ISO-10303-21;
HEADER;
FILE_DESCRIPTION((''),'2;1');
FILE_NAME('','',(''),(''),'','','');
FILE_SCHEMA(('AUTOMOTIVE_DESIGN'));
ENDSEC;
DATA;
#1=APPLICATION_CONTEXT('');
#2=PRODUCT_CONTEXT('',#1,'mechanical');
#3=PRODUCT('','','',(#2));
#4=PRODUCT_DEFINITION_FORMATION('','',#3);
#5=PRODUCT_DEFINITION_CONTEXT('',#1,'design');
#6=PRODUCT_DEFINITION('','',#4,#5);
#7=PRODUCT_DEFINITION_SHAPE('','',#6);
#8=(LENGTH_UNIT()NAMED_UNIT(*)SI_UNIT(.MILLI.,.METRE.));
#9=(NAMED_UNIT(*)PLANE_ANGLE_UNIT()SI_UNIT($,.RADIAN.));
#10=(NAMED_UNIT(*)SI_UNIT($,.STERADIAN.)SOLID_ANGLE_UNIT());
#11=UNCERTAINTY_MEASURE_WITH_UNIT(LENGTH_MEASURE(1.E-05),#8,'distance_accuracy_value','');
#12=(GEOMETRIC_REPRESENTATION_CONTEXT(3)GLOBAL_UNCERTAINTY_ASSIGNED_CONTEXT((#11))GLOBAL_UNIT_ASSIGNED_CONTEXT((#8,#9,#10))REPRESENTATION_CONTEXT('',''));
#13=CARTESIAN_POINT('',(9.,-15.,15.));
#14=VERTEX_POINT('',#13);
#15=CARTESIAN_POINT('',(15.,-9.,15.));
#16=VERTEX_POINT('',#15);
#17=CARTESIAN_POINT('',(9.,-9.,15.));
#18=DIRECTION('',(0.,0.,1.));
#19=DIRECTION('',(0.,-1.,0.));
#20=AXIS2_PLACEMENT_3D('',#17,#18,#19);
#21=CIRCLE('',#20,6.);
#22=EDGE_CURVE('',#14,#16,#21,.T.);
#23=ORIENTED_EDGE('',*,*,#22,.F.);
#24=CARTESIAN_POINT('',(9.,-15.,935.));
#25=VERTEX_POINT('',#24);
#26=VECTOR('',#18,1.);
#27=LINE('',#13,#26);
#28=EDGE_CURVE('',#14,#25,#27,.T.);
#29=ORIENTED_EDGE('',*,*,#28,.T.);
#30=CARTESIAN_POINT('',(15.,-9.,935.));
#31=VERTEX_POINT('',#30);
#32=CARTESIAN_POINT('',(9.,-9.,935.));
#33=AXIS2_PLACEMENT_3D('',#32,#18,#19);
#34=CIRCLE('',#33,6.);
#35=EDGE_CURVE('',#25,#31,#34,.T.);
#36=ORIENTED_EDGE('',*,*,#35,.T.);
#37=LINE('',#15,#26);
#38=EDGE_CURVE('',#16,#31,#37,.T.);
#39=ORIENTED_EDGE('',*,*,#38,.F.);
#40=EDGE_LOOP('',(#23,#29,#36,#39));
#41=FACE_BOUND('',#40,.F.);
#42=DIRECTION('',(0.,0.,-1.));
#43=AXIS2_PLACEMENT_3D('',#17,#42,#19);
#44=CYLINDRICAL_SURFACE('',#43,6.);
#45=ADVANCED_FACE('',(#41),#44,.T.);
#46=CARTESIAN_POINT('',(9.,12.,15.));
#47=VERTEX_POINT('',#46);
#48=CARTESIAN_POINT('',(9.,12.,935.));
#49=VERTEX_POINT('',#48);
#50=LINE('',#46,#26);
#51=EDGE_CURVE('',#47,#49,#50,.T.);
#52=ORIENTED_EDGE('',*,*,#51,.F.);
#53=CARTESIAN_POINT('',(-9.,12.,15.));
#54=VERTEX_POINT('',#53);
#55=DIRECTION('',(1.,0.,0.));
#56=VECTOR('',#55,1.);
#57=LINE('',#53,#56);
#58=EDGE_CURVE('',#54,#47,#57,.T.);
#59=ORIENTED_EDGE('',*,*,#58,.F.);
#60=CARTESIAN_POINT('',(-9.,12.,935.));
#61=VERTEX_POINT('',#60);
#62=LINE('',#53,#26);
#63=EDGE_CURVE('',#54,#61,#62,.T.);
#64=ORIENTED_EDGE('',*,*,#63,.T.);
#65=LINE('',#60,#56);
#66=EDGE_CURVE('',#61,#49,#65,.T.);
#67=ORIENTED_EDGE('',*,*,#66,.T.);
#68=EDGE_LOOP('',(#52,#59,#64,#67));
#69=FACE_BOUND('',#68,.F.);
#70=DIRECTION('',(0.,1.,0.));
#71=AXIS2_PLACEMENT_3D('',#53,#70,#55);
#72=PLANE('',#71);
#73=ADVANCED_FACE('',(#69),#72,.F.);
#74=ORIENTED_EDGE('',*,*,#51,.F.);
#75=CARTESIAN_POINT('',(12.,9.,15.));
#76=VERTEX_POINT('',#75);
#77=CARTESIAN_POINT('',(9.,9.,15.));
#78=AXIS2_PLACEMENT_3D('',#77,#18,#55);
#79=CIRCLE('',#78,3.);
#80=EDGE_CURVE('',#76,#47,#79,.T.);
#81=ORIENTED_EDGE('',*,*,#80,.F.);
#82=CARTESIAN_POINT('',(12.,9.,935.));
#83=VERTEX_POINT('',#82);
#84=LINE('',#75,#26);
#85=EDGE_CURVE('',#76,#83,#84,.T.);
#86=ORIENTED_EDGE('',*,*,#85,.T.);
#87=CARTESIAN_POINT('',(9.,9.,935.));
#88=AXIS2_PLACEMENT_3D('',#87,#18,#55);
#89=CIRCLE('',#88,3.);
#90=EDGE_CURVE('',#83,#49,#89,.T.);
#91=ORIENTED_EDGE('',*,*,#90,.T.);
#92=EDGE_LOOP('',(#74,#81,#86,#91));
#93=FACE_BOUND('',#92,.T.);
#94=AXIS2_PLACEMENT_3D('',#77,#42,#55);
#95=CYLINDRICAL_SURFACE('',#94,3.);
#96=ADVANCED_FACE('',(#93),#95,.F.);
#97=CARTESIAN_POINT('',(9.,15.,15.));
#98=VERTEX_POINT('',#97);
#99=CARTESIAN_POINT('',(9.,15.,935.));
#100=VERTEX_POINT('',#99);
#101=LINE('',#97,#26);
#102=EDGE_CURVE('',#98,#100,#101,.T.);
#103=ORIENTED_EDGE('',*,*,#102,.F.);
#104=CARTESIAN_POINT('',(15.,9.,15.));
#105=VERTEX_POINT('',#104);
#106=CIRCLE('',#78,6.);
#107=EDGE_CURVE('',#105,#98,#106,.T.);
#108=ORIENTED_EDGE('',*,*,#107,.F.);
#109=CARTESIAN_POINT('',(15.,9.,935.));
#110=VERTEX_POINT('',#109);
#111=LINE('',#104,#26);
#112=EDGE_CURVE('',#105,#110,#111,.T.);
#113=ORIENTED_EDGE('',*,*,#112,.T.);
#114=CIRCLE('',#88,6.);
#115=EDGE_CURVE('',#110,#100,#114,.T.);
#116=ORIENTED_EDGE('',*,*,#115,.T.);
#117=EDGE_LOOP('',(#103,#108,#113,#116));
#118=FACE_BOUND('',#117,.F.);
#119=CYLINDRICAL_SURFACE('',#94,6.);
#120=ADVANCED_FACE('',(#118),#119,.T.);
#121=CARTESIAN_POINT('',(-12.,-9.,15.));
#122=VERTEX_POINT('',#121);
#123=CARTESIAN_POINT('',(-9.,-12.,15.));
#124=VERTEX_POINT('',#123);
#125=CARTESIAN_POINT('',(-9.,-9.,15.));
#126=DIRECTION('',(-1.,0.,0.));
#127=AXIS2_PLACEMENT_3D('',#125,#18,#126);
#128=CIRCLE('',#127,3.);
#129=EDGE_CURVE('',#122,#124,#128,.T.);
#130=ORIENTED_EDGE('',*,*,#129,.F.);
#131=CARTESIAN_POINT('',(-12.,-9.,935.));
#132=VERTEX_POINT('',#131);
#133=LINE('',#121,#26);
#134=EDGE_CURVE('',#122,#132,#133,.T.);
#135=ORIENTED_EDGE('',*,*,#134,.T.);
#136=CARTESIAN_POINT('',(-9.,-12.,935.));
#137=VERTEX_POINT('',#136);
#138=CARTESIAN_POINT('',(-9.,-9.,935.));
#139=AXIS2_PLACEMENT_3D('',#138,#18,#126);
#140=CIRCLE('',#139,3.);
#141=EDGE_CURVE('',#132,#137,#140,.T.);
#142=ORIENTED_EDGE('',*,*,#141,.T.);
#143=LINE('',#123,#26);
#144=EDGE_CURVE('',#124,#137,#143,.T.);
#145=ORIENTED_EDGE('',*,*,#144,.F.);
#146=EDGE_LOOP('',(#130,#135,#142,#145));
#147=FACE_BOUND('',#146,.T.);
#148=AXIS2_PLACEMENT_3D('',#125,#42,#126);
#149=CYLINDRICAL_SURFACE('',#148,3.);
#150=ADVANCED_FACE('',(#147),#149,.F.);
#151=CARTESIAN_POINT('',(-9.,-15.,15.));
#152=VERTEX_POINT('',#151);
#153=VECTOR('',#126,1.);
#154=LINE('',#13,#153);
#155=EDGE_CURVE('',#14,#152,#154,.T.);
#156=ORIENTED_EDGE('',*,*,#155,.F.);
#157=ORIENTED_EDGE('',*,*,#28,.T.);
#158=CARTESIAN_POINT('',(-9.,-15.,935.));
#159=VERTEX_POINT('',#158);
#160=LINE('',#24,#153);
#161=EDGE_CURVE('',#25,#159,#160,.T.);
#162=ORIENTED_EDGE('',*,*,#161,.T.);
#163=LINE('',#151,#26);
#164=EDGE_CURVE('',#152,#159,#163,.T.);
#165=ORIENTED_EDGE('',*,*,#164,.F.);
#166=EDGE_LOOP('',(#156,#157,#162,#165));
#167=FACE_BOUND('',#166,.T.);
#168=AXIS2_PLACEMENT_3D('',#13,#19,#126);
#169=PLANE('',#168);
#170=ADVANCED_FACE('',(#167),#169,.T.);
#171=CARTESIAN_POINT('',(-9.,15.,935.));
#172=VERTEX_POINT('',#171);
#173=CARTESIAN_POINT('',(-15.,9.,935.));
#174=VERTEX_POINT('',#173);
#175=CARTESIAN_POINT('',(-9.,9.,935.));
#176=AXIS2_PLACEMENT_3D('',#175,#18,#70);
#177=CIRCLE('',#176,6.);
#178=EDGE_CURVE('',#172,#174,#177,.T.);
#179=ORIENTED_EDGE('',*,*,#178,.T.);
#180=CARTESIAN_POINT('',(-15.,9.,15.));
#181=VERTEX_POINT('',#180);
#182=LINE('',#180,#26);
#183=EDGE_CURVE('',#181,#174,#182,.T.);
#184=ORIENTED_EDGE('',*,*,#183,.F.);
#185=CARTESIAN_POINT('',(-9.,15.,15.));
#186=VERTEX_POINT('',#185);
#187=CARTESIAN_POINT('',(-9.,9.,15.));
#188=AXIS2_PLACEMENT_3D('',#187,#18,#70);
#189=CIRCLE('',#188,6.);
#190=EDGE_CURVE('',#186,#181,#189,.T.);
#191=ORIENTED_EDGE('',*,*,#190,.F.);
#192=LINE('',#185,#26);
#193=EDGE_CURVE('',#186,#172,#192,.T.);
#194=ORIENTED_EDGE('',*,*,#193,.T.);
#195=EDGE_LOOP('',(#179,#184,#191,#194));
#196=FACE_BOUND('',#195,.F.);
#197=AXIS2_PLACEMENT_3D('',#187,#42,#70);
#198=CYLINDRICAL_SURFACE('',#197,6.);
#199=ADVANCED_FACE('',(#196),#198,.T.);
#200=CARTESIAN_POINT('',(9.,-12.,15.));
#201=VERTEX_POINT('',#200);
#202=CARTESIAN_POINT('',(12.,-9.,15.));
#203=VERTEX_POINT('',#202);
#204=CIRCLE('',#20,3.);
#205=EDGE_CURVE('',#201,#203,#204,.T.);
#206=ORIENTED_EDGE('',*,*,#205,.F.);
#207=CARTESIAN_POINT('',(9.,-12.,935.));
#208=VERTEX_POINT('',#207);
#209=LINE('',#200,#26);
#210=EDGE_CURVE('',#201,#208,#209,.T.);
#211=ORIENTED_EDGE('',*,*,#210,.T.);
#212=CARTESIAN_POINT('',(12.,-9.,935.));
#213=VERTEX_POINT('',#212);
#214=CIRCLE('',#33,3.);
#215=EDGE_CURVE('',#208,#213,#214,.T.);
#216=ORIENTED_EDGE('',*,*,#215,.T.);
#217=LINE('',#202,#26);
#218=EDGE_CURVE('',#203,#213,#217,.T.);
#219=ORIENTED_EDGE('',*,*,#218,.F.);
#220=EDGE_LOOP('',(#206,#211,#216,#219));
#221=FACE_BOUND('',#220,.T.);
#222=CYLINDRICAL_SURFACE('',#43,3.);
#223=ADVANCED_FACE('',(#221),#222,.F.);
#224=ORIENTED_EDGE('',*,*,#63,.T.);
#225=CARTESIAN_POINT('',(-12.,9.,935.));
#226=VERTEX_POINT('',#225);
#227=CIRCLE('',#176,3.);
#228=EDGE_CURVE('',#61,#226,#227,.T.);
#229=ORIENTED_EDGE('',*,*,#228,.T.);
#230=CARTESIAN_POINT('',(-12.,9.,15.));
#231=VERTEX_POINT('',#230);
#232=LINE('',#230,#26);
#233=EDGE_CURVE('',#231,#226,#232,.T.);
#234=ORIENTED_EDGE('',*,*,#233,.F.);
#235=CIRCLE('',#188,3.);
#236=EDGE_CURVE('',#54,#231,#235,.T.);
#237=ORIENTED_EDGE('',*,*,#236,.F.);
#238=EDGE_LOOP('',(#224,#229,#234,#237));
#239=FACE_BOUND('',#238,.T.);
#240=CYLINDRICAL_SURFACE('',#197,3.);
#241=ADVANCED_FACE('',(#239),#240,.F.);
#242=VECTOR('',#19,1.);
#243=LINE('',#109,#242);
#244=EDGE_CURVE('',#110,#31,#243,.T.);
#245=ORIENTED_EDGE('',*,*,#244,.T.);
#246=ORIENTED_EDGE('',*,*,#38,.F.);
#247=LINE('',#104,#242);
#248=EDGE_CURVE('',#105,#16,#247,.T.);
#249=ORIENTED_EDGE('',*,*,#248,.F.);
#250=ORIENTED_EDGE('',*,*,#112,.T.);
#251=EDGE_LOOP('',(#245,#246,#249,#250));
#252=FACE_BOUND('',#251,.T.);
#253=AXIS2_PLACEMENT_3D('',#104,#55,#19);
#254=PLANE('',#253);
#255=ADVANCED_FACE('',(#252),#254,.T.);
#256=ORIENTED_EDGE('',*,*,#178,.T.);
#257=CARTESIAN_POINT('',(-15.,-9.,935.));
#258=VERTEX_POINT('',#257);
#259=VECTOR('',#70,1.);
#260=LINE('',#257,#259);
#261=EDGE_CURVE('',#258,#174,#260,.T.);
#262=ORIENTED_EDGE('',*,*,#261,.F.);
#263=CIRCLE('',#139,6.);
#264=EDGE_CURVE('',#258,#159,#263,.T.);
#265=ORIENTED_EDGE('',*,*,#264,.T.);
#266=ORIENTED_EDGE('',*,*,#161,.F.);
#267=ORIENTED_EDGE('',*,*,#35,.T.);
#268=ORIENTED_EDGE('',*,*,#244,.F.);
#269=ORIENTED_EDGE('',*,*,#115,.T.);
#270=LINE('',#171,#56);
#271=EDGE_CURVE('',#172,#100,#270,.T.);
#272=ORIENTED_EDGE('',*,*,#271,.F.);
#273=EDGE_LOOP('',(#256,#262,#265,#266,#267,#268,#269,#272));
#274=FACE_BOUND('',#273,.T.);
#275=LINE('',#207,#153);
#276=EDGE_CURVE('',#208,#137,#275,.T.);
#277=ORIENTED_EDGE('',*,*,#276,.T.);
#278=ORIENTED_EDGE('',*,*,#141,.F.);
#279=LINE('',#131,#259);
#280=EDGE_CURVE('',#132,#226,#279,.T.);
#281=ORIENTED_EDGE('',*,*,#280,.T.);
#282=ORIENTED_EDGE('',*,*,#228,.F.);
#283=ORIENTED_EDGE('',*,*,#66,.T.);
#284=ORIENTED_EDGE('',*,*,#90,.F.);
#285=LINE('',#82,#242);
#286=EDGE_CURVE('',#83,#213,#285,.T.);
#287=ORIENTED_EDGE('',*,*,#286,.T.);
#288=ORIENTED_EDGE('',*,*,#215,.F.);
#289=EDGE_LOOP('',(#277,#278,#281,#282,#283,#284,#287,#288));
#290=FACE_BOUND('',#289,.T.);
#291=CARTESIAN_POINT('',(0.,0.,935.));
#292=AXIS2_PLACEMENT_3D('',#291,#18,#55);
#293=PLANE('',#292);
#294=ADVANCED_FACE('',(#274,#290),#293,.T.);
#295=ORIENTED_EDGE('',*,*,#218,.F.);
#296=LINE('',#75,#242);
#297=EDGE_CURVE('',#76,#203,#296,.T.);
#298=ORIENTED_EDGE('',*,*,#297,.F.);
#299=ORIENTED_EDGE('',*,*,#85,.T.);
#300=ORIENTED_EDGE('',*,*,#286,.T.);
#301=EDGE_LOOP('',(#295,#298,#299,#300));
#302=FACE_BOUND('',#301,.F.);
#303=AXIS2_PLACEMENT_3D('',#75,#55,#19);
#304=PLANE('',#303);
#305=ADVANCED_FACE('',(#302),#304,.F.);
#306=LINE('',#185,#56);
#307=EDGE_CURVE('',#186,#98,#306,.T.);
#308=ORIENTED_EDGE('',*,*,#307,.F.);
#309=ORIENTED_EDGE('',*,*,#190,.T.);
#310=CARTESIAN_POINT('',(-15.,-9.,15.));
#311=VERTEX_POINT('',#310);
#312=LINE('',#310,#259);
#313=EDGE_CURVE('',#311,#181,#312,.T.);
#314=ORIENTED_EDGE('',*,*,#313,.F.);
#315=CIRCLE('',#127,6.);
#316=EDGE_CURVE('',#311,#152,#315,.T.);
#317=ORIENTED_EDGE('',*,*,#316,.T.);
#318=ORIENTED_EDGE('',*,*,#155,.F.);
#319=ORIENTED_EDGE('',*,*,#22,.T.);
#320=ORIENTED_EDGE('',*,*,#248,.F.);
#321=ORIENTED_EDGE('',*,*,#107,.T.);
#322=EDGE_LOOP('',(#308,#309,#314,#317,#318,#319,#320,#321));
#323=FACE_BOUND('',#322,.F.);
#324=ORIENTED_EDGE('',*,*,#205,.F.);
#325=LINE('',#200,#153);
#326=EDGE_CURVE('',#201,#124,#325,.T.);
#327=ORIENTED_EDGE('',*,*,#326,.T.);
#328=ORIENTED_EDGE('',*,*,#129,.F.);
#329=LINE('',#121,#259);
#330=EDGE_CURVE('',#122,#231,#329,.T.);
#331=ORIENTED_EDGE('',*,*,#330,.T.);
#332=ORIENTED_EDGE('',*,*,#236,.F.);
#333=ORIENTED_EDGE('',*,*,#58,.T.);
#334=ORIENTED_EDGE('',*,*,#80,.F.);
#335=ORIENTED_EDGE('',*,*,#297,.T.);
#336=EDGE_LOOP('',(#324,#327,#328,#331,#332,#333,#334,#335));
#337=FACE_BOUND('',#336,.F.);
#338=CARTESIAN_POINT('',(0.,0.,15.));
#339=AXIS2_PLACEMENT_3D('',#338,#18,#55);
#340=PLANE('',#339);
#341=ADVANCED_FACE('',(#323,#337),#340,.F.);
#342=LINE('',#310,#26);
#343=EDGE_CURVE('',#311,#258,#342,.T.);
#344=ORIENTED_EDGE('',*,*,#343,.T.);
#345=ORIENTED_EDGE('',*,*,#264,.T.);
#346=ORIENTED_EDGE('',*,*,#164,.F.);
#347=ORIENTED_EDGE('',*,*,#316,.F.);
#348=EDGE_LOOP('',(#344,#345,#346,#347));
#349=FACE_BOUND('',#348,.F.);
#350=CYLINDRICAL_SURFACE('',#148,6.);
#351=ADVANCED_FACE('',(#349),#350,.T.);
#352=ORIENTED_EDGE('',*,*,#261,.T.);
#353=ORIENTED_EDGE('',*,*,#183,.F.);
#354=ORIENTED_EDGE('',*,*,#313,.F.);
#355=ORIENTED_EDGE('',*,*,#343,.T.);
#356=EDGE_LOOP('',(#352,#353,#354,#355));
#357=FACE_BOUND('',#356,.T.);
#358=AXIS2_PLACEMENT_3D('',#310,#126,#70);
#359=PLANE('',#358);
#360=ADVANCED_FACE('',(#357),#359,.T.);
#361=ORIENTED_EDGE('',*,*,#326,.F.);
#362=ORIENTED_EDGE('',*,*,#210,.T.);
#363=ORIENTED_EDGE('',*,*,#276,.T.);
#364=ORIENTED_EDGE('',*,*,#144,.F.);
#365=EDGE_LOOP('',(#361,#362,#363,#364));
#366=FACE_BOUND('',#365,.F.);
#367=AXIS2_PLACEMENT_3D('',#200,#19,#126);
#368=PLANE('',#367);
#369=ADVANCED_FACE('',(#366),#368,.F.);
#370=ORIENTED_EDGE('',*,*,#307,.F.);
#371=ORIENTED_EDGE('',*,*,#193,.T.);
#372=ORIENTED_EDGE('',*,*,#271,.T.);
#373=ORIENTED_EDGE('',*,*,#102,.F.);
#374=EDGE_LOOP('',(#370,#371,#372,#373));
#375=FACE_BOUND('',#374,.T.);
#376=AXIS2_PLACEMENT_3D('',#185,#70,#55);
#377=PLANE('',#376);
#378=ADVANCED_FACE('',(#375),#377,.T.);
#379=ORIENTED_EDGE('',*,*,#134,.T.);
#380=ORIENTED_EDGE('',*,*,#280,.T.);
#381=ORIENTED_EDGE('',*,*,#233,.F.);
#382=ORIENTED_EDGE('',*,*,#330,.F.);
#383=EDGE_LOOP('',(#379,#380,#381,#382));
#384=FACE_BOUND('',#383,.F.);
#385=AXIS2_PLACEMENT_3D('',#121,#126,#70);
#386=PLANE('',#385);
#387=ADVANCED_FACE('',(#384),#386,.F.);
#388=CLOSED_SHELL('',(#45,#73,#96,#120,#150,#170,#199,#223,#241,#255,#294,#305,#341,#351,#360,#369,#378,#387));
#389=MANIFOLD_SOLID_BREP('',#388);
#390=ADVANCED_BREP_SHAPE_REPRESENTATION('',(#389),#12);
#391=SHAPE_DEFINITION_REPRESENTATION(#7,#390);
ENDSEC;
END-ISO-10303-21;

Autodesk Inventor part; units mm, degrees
ref_plane "Start Plane" through (0, 0, 15) normal (0, 0, 1) x (1, 0, 0)
ref_plane "End Plane" through (0, 0, 935) normal (0, 0, 1) x (1, 0, 0)
sketch "Sketch" plane through (0, 0, 0) normal (0, 0, 1) x (1, 0, 0)
  line L0 (-15, -9) -> (-15, 9)
  line L1 (-9, 15) -> (9, 15)
  line L2 (15, 9) -> (15, -9)
  line L3 (9, -15) -> (-9, -15)
  arc A0 (-15, -9) -> (-9, -15) centre (-9, -9) ccw
  arc A1 (-9, 15) -> (-15, 9) centre (-9, 9) ccw
  arc A2 (15, 9) -> (9, 15) centre (9, 9) ccw
  arc A3 (9, -15) -> (15, -9) centre (9, -9) ccw
  arc A4 (-9, 12) -> (-12, 9) centre (-9, 9) ccw
  line L4 (-9, 12) -> (9, 12)
  arc A5 (12, 9) -> (9, 12) centre (9, 9) ccw
  line L5 (12, 9) -> (12, -9)
  arc A6 (9, -12) -> (12, -9) centre (9, -9) ccw
  line L6 (9, -12) -> (-9, -12)
  arc A7 (-12, -9) -> (-9, -12) centre (-9, -9) ccw
  line L7 (-12, -9) -> (-12, 9)
  line L8 (0, 22.7397) -> (0, -22.7397) construction
  line L9 (-22.7397, 0) -> (22.7397, 0) construction
  dimension "d7" = 6
  dimension "d10" = 30
  dimension "d11" = 30
  dimension "d12" = 3
  dimension "d15" = 15
  dimension "d16" = 15
extrude "Body" add sketch "Sketch" along normal up to surface (920 mm away) from surface at 15
sketch "Sketch3" plane through (0, 0, 0) normal (0, 0, 1) x (1, 0, 0)
  line L0 (0, 0) -> (10, 0)
ref_plane "Work Plane3" through (0, 0, 0) normal (0, -1, 0) x (1, 0, 0)
ref_plane "Work Plane4" through (2887, 9, 935) normal (0, 0, 1) x (1, 0, 0)
split "Split1" plane through (2887, 9, 935) removes the side toward (0, 0, 1)
ref_plane "Work Plane5" through (-9, 1000, 15) normal (0, 0, -1) x (-1, 0, 0)
split "Split2" plane through (-9, 1000, 15) removes the side toward (0, 0, -1)
sketch "Sketch4" plane through (0, 0, 0) normal (0, -1, 0) x (1, 0, 0)
  line L0 (-2, 15) -> (12, 15) projected
  line L1 (-2, 935) -> (12, 935) projected
  dimension "d18" = 920
equation "\"d7\" = G_IR"
equation "\"d10\" = G_H"
equation "\"d11\" = G_W"
equation "\"d12\" = G_T"
equation "\"d15\" = 0.5 * d10"
equation "\"d16\" = 0.5 * d11"
equation "\"d3\" = G_L"
equation "\"G_W\" = 30"
equation "\"G_H\" = 30"
equation "\"G_T\" = 3"
equation "\"G_IR\" = 6"
equation "\"G_L\" = d18"
equation "\"G_OFFSET_START\" = -15"
equation "\"G_OFFSET_END\" = -15"
equation "\"d13\" = -G_OFFSET_START"
equation "\"d14\" = G_OFFSET_END + B_L"
equation "\"B_L\" = 950"
properties part number "DIN EN 10219-2 - 30 x 30 x 3  - 920" material "Steel, Mild"
